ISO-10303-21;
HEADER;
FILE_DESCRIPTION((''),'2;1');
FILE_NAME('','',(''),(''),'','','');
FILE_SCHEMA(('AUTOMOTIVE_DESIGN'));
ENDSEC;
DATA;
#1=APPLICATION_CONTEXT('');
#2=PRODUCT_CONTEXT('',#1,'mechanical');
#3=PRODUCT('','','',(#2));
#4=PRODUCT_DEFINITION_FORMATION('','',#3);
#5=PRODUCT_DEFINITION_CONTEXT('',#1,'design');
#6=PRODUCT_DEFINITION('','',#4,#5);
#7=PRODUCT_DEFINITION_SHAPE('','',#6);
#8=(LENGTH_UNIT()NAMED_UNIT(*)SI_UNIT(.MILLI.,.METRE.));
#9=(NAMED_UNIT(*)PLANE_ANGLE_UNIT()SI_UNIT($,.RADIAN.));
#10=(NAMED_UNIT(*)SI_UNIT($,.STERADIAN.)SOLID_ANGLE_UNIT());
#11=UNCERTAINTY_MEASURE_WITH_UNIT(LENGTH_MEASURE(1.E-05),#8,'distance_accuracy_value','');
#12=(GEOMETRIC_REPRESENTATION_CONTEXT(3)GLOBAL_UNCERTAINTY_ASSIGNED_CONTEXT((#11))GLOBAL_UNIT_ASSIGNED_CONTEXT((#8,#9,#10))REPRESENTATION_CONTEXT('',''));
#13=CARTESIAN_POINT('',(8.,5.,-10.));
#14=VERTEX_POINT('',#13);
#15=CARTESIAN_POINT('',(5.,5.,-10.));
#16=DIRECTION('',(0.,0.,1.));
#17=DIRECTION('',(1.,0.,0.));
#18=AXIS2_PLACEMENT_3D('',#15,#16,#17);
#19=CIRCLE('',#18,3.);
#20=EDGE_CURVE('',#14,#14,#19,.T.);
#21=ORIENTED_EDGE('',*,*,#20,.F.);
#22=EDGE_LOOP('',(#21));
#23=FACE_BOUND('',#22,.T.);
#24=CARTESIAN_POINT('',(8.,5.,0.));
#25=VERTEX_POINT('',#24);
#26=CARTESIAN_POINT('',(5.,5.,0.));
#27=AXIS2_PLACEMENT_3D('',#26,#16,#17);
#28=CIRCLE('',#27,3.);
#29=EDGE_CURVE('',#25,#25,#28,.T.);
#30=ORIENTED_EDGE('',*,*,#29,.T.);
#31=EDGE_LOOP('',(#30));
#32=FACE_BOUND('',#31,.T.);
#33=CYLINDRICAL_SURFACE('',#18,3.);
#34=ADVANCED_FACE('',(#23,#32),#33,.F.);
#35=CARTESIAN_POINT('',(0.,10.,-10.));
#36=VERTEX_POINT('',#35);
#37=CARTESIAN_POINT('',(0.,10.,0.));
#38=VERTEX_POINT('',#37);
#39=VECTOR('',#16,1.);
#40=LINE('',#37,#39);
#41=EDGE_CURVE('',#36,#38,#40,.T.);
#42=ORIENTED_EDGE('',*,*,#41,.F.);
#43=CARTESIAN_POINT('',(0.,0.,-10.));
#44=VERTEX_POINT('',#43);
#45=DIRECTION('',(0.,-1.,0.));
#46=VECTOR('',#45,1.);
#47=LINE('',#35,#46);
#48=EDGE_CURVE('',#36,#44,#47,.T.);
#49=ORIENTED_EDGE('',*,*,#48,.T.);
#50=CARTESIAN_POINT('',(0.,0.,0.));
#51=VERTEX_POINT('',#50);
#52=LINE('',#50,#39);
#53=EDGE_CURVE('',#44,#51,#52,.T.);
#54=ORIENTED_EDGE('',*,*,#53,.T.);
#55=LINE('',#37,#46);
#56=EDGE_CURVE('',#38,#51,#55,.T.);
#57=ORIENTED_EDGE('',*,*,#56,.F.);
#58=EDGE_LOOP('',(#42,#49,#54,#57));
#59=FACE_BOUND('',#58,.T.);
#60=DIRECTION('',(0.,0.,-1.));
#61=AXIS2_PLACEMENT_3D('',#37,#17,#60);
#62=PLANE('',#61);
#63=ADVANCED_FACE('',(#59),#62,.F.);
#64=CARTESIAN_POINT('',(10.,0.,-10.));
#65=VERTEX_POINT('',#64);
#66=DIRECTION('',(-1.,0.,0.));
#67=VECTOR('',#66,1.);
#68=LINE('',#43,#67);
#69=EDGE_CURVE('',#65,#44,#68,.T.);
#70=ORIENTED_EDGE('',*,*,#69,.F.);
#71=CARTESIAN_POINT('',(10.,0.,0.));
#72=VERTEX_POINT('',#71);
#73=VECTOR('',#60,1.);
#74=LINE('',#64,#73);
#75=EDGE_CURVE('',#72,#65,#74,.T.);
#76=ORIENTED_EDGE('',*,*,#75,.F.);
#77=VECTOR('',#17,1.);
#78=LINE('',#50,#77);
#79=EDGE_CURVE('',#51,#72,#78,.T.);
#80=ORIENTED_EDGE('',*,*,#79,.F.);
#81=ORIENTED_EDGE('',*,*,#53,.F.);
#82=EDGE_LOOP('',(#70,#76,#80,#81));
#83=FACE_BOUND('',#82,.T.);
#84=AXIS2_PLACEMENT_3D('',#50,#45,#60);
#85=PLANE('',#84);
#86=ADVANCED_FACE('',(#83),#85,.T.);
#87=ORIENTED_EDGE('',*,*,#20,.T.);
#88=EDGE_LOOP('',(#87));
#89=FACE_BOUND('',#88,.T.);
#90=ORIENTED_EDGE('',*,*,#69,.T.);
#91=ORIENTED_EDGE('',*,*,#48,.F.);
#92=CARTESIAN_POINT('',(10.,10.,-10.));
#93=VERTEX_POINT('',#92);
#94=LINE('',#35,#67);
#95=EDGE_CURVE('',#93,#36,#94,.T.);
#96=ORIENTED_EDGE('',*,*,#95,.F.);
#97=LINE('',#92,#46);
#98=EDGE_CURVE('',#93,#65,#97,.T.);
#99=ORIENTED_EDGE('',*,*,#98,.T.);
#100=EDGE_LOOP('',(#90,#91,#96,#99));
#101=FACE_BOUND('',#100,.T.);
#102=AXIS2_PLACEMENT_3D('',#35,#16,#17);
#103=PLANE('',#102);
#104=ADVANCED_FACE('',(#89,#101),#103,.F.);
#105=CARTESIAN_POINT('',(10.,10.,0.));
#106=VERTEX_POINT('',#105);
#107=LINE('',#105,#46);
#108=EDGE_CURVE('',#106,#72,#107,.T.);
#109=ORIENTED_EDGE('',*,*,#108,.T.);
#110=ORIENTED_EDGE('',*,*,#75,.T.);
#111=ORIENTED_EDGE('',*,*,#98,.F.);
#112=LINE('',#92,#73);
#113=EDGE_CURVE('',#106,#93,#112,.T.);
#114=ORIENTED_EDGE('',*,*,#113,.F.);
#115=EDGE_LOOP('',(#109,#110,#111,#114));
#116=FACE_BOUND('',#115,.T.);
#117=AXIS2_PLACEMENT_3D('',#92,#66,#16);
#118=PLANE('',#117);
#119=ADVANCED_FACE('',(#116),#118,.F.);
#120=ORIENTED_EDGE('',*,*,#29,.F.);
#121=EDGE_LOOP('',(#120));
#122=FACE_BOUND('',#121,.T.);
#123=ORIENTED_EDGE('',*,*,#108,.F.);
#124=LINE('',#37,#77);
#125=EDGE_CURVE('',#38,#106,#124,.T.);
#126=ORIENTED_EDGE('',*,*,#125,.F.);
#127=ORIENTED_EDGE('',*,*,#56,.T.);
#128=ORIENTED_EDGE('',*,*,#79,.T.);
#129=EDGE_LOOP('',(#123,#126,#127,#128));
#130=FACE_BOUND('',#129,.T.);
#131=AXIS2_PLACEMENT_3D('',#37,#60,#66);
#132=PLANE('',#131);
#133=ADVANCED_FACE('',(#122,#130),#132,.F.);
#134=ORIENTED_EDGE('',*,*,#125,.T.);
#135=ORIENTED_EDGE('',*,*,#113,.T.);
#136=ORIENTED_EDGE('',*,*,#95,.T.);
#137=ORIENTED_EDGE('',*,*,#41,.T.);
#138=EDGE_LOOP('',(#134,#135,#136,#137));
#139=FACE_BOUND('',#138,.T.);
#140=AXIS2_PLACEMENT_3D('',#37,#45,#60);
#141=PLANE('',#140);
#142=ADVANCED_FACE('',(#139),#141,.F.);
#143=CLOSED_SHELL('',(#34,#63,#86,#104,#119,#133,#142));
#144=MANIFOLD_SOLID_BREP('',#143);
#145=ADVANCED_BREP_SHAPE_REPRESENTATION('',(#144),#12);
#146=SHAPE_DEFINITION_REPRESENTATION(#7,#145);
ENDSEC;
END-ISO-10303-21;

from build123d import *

# Parameters (mm, degrees)
SKETCH1_W           = 10
SKETCH1_H           = 10
BOSS_EXTRUDE1_DEPTH = 10
SKETCH2_R           = 3
CUT_EXTRUDE1_DEPTH  = 10


with BuildPart() as part:
    # Sketch1 → Boss-Extrude1 (new body)
    with BuildSketch(Plane(origin=(0, 0, 0), x_dir=(1, 0, 0), z_dir=(0, 1, 0))):
        with Locations((5, 5)):
            Rectangle(SKETCH1_W, SKETCH1_H)
    extrude(amount=BOSS_EXTRUDE1_DEPTH)

    # Sketch2 → Cut-Extrude1 (cut)
    with BuildSketch(Plane.XY):
        with Locations((5, 5)):
            Circle(SKETCH2_R)
    extrude(amount=-CUT_EXTRUDE1_DEPTH, mode=Mode.SUBTRACT)


solid = part.part
